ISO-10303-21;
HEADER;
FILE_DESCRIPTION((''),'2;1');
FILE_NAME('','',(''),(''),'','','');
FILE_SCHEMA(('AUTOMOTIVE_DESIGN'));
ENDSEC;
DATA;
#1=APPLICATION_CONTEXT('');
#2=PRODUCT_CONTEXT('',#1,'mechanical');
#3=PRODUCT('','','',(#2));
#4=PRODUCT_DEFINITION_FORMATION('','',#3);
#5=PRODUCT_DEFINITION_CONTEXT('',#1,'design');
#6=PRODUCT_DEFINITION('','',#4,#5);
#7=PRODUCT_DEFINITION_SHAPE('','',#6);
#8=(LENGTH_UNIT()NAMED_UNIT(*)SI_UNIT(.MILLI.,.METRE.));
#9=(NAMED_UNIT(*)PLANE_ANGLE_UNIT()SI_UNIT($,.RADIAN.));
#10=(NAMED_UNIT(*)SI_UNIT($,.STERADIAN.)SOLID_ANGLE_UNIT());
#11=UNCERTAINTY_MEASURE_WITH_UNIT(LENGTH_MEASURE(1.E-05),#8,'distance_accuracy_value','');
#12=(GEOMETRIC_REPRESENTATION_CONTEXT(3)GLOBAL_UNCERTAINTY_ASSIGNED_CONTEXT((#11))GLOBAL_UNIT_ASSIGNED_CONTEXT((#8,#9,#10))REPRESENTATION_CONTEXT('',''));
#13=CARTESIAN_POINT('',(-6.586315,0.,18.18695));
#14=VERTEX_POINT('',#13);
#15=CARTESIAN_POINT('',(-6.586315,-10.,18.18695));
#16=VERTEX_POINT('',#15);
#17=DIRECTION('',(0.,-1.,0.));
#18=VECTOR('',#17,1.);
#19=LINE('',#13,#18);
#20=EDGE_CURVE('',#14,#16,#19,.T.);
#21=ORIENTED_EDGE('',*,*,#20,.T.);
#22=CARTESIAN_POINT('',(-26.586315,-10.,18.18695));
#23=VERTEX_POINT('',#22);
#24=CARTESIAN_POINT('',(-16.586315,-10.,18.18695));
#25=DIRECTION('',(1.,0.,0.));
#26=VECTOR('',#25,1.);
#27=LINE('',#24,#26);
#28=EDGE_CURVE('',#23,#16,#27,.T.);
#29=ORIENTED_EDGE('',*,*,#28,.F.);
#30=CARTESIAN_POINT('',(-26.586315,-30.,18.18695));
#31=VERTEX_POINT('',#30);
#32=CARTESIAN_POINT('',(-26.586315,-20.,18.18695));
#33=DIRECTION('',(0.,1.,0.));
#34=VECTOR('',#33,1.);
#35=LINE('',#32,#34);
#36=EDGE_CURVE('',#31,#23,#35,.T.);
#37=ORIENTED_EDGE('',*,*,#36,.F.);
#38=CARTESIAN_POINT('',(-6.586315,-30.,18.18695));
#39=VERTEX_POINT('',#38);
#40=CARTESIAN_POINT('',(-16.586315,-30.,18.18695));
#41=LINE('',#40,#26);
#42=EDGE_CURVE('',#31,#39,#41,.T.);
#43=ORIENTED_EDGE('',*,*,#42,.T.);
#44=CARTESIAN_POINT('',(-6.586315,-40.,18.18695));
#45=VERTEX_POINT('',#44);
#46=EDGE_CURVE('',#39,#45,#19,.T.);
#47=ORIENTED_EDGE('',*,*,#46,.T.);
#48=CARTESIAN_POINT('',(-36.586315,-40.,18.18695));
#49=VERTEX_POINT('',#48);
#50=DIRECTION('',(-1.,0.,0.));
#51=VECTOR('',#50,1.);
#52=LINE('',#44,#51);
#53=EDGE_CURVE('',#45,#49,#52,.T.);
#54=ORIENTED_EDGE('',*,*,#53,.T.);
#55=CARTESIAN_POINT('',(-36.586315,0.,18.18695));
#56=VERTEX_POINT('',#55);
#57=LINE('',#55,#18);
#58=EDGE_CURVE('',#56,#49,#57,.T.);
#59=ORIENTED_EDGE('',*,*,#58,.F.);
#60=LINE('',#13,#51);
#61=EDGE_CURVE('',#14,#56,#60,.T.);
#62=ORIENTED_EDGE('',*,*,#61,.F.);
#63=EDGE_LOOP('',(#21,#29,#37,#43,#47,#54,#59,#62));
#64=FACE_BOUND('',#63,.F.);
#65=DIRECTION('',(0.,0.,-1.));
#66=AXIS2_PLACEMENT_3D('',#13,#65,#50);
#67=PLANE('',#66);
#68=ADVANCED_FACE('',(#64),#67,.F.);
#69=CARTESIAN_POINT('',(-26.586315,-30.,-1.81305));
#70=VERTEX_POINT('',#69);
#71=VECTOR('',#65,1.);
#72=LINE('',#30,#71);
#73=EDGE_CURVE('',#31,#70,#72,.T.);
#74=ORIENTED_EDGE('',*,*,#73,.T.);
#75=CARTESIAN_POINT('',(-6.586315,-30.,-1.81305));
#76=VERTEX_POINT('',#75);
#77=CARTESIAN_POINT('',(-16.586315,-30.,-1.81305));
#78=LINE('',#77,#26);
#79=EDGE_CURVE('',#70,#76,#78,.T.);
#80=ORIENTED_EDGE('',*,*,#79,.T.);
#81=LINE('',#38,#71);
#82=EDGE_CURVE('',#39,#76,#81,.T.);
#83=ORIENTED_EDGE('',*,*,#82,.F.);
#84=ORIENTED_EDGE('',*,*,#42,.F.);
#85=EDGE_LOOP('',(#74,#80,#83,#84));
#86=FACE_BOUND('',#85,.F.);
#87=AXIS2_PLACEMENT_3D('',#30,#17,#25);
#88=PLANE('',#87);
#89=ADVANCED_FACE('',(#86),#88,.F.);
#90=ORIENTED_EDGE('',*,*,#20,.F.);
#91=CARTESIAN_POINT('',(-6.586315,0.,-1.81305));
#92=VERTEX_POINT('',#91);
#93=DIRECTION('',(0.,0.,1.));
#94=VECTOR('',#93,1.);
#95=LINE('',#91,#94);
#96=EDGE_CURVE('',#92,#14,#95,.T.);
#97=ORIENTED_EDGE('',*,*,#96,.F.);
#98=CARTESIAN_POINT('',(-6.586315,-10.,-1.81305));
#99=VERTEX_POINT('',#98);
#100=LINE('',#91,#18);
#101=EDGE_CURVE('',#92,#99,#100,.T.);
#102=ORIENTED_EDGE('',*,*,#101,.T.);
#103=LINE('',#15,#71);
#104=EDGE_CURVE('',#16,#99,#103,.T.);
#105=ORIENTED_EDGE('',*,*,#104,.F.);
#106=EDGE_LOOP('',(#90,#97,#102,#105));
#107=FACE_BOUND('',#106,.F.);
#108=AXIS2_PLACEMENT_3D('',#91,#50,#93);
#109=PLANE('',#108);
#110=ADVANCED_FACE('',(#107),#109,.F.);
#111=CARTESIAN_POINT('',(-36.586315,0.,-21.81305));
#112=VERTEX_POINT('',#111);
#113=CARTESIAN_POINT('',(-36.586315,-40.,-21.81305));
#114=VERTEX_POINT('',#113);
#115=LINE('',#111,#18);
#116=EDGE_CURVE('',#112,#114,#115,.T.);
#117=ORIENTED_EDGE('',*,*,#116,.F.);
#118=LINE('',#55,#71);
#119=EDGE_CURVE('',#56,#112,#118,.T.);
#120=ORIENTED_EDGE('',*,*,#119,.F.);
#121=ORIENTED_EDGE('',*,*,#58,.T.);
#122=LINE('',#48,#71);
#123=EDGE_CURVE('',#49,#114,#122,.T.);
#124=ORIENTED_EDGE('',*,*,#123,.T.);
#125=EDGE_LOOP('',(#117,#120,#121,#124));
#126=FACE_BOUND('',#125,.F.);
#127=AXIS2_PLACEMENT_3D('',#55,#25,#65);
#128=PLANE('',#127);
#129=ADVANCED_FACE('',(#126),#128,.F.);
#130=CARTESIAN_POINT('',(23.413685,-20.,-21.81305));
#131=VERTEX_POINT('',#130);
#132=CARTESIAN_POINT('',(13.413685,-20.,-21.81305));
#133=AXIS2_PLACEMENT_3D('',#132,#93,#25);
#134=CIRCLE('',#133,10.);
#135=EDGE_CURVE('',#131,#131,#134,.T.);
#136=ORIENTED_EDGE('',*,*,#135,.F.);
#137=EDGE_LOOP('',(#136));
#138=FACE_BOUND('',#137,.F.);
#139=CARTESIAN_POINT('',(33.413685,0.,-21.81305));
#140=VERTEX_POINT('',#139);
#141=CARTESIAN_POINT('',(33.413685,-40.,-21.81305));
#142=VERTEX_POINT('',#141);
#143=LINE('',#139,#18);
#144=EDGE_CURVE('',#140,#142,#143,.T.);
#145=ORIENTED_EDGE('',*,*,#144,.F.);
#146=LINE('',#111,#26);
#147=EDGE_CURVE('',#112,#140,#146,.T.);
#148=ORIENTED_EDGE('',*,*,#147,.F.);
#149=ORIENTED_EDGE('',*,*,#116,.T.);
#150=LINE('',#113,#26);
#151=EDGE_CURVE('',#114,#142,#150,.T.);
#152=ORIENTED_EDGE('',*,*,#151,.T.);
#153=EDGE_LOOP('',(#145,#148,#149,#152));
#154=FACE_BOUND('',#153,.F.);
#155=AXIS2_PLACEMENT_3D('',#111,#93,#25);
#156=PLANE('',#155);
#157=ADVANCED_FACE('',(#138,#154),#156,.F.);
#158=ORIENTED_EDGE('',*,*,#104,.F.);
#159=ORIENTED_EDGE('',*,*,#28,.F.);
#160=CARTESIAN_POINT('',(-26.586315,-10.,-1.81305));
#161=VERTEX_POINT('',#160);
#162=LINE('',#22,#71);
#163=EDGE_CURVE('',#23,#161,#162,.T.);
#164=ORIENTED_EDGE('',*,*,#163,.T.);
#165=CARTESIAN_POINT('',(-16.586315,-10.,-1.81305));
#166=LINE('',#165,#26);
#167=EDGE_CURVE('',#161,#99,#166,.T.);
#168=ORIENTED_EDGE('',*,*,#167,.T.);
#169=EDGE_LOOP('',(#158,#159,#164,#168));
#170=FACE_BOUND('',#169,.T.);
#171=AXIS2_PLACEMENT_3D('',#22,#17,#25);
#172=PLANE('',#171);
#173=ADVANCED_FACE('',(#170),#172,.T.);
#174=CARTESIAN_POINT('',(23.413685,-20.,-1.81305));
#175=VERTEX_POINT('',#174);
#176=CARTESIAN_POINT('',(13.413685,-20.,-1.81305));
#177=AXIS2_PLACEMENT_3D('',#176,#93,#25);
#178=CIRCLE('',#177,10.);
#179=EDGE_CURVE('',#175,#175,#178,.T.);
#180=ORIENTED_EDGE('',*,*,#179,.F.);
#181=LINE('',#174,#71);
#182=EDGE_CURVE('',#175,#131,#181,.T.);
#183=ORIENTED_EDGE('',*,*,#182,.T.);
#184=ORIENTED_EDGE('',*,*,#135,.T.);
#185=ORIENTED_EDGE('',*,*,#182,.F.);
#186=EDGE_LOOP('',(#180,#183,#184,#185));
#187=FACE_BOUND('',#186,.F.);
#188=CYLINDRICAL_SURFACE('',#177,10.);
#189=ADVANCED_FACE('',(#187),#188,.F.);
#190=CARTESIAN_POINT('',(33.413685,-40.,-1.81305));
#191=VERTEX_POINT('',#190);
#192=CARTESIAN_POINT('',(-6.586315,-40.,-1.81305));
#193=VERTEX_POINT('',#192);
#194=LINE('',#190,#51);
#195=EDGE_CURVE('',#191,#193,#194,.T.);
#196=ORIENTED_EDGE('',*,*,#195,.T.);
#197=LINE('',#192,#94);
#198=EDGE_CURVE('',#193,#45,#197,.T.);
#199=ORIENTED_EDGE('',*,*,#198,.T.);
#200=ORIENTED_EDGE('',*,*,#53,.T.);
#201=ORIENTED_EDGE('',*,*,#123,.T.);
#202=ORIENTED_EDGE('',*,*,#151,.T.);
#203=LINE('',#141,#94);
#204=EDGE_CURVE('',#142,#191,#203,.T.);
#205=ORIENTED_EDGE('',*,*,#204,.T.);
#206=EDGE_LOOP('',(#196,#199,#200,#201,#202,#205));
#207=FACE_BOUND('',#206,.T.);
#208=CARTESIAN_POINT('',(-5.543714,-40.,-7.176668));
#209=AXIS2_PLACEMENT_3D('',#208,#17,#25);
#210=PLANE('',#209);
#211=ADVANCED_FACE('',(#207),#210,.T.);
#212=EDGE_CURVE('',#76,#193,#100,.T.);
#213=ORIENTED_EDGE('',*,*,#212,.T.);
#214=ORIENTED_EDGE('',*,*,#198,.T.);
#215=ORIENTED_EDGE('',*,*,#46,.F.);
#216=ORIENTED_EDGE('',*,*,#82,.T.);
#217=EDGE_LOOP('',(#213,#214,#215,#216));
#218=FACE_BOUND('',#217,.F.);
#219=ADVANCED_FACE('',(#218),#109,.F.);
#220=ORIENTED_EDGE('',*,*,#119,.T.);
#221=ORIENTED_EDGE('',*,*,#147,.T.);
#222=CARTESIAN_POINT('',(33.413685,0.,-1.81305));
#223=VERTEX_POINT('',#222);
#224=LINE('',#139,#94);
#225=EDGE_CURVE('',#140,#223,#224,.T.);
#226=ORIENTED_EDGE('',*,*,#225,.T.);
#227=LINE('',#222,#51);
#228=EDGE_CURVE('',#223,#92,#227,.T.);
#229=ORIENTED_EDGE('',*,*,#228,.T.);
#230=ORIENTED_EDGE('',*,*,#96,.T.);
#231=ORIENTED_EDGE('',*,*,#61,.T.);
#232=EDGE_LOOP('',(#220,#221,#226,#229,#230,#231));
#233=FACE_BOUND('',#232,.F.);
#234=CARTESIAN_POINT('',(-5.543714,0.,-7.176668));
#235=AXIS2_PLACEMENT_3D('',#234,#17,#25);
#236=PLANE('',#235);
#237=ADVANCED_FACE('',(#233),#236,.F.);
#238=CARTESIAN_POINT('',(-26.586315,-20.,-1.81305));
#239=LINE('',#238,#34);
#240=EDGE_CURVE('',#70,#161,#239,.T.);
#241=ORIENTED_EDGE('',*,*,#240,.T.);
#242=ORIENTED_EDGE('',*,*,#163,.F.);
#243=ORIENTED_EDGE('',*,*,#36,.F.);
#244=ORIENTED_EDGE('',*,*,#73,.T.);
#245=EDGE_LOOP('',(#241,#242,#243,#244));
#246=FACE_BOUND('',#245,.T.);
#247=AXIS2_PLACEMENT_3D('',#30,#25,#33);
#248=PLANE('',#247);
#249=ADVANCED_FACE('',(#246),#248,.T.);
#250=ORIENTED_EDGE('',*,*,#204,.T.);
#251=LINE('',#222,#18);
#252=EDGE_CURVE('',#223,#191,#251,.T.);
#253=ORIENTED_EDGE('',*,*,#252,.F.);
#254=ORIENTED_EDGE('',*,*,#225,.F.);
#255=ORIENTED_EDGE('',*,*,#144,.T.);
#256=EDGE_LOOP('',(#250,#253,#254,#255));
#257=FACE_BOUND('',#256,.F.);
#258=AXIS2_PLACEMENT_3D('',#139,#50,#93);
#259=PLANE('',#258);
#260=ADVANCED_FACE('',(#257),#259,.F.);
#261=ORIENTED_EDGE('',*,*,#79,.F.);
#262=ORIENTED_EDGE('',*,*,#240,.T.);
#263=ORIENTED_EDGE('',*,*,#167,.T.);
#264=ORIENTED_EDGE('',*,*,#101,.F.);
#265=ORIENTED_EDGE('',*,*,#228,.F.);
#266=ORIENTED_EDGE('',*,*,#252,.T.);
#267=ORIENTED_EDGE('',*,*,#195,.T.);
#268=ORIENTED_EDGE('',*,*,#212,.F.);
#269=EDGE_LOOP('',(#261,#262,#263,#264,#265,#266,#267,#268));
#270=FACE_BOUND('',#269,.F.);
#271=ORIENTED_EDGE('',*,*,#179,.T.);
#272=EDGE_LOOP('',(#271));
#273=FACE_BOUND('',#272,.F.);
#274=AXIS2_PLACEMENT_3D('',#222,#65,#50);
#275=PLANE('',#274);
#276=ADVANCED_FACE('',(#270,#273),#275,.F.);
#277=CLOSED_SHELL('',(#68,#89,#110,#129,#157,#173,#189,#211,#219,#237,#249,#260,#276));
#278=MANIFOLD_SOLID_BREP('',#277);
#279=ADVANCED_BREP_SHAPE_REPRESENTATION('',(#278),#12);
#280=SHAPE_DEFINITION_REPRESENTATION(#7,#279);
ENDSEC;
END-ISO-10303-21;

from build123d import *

# Parameters (mm, degrees)
F1_DEPTH = 40
F2_W     = 20
F2_H     = 20
F3_DEPTH = 20
F4_R     = 10
F5_DEPTH = 20


with BuildPart() as f1:
    # F0 (on Front) → F1 (new body)
    with BuildSketch(Plane.XZ):
        Polygon((-26.586315, 18.18695), (-36.586315, 18.18695), (-36.586315, -21.81305), (33.413685, -21.81305), (33.413685, -1.81305), (-6.586315, -1.81305), align=None)
        Polygon((-6.586315, 18.18695), (-26.586315, 18.18695), (-6.586315, -1.81305), align=None)
    extrude(amount=F1_DEPTH)

    # F2 (on face) → F3 (cut)
    with BuildSketch(Plane.XY.offset(18.18695)):
        with Locations((-16.586315, -20)):
            Rectangle(F2_W, F2_H)
    extrude(amount=-F3_DEPTH, mode=Mode.SUBTRACT)

    # F4 (on face) → F5 (cut)
    with BuildSketch(Plane.XY.offset(-1.81305)):
        with Locations((13.413685, -20)):
            Circle(F4_R)
    extrude(amount=-F5_DEPTH, mode=Mode.SUBTRACT)


solid = f1.part
